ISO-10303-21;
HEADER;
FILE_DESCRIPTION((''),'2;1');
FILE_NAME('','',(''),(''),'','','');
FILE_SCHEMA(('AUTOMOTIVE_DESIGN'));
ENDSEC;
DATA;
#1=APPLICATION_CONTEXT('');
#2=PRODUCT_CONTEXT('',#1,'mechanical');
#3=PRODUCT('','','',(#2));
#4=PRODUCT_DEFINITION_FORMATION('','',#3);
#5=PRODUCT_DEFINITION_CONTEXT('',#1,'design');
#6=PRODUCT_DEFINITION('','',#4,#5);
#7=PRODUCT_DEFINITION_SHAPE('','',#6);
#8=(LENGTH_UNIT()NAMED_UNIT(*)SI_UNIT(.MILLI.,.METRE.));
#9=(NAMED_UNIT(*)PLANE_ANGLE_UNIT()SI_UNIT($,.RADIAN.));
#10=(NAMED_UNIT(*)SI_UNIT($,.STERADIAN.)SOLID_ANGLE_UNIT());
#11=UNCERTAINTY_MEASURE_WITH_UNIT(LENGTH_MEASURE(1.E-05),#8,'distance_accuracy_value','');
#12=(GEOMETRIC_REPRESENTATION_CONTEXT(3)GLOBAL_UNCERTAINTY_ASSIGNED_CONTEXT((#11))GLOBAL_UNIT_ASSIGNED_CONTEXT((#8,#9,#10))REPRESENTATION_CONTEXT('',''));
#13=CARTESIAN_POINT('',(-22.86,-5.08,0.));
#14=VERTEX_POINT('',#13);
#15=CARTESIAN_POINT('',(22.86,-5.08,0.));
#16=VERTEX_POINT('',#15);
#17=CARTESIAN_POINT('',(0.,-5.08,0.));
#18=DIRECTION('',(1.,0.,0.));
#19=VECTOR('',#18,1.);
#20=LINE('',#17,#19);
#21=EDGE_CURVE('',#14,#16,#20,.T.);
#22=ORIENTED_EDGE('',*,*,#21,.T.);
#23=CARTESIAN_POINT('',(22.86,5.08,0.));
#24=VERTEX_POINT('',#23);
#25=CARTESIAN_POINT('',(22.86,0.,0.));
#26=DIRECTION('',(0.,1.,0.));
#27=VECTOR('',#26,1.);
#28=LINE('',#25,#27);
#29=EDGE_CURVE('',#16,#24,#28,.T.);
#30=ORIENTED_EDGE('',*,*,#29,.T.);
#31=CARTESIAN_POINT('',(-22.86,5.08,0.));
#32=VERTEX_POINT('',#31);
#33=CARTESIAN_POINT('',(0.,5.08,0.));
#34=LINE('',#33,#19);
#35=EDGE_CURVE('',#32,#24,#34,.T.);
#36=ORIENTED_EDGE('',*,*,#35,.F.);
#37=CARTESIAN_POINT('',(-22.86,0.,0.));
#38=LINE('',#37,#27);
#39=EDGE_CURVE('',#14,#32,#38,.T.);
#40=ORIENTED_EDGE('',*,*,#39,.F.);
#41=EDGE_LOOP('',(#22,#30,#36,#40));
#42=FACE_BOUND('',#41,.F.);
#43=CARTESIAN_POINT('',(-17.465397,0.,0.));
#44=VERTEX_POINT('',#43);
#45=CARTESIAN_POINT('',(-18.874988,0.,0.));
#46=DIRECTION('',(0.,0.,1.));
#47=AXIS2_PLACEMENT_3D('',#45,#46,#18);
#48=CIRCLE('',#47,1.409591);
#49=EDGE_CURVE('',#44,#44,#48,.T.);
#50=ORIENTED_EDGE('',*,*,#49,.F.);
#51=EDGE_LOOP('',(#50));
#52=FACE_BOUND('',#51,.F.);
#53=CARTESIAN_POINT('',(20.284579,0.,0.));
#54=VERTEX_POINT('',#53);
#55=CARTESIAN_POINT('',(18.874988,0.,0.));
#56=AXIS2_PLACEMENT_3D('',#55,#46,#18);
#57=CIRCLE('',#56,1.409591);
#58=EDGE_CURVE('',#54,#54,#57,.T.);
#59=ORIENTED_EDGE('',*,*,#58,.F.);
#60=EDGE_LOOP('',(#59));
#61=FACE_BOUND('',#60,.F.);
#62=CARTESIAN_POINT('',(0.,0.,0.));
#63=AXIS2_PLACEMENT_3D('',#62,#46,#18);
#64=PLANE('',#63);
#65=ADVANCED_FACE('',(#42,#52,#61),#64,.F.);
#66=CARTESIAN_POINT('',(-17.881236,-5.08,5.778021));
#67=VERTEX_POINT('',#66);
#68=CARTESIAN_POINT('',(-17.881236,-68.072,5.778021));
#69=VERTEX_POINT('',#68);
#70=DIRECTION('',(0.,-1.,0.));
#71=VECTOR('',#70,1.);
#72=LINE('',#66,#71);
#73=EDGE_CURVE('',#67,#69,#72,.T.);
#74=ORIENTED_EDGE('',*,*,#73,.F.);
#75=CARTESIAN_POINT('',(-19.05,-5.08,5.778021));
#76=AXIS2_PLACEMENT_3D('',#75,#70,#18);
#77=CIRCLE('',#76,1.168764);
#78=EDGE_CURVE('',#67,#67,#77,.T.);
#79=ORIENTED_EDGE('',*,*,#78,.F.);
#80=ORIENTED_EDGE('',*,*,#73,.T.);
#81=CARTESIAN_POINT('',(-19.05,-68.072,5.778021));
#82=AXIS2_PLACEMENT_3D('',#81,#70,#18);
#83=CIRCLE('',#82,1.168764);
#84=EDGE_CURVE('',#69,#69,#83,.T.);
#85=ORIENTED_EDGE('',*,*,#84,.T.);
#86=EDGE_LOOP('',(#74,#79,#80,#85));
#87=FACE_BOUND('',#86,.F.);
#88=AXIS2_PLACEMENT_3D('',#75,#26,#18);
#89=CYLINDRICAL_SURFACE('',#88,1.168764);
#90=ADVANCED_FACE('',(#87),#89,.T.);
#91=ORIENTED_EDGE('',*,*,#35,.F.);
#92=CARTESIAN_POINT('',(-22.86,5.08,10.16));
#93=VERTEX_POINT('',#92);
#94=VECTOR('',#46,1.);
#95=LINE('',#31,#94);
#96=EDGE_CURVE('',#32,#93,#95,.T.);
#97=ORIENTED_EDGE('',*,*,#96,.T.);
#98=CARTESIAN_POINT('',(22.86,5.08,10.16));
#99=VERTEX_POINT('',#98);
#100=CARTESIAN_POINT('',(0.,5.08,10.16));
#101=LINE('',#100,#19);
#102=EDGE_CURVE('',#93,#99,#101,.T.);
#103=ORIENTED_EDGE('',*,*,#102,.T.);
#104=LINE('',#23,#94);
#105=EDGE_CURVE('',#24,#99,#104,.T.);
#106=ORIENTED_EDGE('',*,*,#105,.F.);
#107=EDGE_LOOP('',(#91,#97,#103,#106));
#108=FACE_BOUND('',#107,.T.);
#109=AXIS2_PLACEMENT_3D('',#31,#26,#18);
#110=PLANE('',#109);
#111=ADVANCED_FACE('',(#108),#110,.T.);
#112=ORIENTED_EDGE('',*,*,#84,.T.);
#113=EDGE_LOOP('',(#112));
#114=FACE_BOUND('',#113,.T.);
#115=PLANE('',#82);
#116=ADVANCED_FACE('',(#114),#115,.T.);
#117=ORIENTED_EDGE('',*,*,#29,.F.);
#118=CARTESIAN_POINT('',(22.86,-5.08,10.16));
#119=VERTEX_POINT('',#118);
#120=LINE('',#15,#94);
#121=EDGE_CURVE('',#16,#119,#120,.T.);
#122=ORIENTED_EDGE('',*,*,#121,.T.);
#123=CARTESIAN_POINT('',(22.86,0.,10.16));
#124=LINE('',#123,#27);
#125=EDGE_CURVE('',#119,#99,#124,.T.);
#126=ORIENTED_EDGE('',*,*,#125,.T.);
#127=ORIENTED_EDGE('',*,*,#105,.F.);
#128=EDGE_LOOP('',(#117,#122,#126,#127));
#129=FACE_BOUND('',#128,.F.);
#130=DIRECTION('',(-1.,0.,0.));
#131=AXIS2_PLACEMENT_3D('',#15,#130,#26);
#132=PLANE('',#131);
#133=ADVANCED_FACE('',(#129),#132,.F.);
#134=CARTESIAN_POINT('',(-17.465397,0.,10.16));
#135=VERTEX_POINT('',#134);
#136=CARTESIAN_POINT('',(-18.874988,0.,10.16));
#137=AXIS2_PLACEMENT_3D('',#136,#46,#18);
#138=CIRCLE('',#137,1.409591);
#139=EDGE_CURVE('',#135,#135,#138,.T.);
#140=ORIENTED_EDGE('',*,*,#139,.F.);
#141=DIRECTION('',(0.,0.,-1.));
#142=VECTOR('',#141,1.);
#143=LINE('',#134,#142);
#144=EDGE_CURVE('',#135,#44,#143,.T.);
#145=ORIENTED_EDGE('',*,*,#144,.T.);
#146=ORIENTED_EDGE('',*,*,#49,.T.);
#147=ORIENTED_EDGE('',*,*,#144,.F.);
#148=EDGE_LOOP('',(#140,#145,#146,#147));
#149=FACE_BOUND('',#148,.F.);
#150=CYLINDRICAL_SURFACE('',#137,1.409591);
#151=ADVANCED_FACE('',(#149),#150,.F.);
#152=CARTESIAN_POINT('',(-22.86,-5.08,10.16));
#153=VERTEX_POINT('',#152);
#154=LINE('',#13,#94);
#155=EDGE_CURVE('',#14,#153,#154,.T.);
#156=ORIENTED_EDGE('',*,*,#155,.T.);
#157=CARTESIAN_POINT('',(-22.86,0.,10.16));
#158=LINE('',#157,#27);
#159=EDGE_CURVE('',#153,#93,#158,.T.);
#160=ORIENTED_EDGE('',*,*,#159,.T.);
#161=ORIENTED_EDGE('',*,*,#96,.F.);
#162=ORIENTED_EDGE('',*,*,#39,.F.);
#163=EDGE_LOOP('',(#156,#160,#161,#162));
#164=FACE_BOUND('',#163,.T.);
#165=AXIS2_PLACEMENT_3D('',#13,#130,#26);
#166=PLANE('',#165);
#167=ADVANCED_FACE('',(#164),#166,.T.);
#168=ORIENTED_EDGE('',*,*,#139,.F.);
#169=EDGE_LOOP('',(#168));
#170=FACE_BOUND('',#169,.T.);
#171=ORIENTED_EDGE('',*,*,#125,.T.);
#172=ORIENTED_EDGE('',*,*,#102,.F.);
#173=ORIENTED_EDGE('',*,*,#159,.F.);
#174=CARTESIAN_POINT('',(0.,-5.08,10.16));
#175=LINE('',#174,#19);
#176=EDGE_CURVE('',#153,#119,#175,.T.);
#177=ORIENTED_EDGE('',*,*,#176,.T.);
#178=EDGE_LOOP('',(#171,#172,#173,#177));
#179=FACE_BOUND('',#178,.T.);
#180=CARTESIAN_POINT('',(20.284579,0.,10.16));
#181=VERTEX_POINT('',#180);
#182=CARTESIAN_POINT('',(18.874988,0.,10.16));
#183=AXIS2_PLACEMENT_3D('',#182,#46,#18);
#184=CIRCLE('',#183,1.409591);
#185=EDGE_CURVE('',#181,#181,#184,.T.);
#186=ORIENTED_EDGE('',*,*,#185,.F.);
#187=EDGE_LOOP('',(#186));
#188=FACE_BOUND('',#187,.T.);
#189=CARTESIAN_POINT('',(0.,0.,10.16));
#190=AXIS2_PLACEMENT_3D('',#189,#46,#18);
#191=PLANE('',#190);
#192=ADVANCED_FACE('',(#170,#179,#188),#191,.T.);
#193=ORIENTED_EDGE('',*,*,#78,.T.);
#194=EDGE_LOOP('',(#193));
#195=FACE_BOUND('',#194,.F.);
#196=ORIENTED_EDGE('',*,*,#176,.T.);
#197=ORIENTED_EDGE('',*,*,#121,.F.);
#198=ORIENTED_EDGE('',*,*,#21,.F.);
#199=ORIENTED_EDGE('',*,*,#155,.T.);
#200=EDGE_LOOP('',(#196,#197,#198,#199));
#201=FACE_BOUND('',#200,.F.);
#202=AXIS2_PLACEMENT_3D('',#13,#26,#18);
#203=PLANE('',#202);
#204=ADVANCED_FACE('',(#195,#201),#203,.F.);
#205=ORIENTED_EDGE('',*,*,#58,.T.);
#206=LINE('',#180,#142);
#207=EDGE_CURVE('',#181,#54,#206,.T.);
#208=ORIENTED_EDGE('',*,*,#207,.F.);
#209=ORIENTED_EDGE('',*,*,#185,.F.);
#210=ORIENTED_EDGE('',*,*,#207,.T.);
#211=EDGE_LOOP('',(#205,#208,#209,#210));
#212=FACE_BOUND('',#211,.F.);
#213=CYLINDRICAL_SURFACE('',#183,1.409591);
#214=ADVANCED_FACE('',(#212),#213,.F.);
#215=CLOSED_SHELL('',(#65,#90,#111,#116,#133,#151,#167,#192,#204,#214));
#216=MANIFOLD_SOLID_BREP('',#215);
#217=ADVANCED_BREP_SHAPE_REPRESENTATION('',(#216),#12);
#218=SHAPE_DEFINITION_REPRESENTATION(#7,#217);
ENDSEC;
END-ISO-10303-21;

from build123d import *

# Parameters (mm, degrees)
F0_W     = 45.72
F0_H     = 10.16
F1_DEPTH = 10.16
F2_R     = 1.409591
F3_DEPTH = 25.4
F4_R     = 1.168764
F5_DEPTH = 62.992


with BuildPart() as f1:
    # F0 (on Top) → F1 (new body)
    with BuildSketch(Plane.XY):
        Rectangle(F0_W, F0_H)
    extrude(amount=F1_DEPTH)

    # F2 (on face) → F3 (cut)
    with BuildSketch(Plane.XY.offset(10.16)):
        with Locations((-18.874988, 0)):
            Circle(F2_R)
        with Locations((18.874988, 0)):
            Circle(F2_R)
    extrude(amount=-F3_DEPTH, mode=Mode.SUBTRACT)

    # F4 (on face) → F5 (join)
    with BuildSketch(Plane.XZ.offset(5.08)):
        with Locations((-19.05, 5.778021)):
            Circle(F4_R)
    extrude(amount=F5_DEPTH)


solid = f1.part
